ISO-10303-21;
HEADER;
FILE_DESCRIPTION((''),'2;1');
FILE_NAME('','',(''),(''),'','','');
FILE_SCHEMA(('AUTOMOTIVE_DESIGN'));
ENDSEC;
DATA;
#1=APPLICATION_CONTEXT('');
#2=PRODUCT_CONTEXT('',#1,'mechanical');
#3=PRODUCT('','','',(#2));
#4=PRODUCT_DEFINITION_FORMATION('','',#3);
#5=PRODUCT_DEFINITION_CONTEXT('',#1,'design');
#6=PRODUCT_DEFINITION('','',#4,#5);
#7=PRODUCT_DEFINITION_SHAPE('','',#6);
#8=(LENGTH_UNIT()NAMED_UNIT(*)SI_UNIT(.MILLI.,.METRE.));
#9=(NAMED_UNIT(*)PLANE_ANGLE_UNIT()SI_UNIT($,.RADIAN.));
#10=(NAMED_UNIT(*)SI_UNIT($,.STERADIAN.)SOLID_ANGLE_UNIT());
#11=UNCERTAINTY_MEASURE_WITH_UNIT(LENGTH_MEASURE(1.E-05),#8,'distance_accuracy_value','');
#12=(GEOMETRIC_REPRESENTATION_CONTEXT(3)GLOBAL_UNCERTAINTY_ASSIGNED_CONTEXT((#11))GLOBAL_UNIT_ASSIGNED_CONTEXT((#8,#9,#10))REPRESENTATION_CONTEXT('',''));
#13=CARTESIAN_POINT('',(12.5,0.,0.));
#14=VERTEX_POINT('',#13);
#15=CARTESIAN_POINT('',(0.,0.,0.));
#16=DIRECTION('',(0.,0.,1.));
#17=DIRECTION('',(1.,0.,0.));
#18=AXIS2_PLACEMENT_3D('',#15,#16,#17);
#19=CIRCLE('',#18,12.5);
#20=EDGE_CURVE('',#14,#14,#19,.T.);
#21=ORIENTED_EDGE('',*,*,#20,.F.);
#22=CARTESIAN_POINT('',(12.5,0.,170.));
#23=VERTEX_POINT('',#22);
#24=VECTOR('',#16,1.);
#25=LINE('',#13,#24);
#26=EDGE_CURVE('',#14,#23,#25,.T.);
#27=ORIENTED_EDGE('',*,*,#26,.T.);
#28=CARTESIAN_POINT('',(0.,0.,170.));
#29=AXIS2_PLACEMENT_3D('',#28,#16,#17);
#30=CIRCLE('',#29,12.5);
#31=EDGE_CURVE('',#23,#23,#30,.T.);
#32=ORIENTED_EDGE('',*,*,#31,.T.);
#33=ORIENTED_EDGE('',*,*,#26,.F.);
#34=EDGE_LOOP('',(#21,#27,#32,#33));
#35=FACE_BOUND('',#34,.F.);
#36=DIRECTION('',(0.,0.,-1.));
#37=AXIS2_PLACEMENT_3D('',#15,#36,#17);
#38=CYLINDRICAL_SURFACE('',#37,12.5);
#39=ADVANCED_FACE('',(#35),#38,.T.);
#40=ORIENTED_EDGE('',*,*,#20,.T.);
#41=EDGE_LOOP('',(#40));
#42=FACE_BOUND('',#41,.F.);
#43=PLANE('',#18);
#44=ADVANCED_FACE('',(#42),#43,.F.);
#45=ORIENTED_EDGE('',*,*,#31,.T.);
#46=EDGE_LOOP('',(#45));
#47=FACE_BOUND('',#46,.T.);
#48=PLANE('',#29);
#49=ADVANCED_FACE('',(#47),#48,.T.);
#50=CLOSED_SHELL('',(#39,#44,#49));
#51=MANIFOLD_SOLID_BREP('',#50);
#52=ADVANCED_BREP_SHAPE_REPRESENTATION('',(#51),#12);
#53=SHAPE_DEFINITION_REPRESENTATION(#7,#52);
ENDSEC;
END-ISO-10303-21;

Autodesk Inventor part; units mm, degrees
ref_plane "YZ Plane" through (0, 0, 0) normal (1, 0, 0) x (0, 1, 0)
ref_plane "XZ Plane" through (0, 0, 0) normal (0, 1, 0) x (-1, 0, 0)
ref_plane "XY Plane" through (0, 0, 0) normal (0, 0, 1) x (1, 0, 0)
sketch "Boceto1" plane through (0, 0, 0) normal (0, 0, 1) x (1, 0, 0)
  circle A0 centre (0, 0) radius 12.5
  dimension "d0" = 25
extrude "Extrusión1" add sketch "Boceto1" along normal blind 170
properties part number "Varilla_suj"
